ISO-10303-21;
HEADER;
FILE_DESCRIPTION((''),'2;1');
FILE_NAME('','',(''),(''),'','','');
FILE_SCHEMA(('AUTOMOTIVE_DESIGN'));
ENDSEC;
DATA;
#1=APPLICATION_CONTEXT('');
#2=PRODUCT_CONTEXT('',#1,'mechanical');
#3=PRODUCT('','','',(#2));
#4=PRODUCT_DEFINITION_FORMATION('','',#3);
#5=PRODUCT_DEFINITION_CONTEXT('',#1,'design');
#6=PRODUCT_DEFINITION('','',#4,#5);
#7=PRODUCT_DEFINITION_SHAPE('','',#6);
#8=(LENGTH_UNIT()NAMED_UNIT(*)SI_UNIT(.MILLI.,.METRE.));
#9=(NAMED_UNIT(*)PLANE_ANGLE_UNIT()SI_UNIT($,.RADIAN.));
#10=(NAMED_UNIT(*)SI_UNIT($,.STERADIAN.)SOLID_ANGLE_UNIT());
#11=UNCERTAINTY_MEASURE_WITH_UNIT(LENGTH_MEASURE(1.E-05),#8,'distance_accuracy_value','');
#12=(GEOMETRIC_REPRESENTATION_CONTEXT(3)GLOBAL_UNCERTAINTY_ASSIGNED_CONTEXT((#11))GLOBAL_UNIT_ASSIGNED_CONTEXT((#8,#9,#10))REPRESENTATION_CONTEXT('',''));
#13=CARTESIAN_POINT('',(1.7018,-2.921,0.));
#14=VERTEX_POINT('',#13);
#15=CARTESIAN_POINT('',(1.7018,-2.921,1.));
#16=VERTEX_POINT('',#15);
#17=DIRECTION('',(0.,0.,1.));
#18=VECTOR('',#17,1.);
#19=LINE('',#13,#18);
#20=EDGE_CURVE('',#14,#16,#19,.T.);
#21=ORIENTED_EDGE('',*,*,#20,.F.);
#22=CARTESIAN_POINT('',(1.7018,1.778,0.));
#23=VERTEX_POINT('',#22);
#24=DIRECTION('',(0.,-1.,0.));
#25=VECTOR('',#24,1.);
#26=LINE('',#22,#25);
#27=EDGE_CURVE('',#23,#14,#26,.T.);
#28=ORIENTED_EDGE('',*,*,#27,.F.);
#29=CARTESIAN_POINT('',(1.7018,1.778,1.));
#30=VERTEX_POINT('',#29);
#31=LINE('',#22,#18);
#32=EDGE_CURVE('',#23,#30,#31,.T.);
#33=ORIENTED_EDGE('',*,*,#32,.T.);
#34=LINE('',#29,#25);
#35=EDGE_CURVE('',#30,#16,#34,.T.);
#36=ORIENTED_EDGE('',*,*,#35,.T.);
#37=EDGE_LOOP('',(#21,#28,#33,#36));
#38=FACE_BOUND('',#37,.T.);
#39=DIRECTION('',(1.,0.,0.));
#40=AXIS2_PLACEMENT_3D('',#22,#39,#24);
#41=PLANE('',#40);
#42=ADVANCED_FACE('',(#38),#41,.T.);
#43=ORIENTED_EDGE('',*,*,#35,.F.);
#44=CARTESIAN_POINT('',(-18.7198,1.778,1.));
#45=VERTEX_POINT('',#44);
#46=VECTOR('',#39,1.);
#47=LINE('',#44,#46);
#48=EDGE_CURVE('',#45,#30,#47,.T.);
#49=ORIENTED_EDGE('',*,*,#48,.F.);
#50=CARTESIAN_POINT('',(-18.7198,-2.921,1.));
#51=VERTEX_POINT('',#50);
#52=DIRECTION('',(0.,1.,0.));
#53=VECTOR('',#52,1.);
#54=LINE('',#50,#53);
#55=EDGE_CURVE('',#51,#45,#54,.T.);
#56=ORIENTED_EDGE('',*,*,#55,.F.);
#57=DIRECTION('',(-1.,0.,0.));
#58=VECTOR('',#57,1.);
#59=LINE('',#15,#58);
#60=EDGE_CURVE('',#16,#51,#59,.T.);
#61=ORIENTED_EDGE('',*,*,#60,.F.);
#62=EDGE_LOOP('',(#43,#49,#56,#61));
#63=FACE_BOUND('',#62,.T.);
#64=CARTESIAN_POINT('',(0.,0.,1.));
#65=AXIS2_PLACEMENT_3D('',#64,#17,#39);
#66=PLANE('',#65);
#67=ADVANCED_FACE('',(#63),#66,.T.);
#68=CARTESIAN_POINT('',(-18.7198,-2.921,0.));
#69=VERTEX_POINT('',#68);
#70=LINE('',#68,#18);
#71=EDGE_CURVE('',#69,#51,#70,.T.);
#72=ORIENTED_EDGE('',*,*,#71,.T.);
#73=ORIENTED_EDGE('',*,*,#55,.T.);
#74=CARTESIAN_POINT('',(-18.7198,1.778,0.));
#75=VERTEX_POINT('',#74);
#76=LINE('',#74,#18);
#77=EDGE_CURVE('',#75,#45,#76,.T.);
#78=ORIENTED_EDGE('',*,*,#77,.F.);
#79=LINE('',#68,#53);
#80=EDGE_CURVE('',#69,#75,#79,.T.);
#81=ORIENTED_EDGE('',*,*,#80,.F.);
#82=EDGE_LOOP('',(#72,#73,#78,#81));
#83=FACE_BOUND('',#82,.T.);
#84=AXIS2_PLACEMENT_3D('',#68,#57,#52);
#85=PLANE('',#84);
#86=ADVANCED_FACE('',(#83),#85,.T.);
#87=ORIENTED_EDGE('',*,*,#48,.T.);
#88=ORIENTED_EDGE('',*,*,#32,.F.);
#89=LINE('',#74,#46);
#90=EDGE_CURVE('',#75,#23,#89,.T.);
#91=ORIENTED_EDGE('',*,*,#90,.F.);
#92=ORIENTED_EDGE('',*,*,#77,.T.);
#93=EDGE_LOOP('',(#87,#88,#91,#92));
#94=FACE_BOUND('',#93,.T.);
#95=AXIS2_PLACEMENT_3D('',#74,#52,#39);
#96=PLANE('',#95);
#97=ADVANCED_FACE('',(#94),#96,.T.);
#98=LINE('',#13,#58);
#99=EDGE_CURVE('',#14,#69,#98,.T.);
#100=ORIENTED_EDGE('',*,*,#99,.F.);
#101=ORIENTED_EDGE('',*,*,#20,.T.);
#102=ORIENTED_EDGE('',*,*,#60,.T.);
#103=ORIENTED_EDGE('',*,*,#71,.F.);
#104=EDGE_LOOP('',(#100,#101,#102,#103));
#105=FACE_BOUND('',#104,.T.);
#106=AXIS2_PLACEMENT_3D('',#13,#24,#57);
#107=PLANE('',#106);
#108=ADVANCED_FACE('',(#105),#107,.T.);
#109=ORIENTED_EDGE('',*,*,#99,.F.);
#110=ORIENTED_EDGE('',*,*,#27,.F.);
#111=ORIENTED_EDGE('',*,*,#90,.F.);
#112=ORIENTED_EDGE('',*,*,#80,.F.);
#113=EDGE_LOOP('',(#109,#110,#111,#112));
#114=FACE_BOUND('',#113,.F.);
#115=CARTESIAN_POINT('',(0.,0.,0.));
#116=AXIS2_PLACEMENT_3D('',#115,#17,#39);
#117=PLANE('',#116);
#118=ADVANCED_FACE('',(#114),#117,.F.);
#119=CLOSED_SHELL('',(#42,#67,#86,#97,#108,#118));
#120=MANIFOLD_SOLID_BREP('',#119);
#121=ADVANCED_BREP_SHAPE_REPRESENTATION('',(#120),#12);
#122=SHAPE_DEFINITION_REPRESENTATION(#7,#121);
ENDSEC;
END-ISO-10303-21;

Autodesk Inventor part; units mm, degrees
ref_plane "YZ Plane" through (0, 0, 0) normal (1, 0, 0) x (0, 1, 0)
ref_plane "XZ Plane" through (0, 0, 0) normal (0, 1, 0) x (-1, 0, 0)
ref_plane "XY Plane" through (0, 0, 0) normal (0, 0, 1) x (1, 0, 0)
sketch "KV11, OPA549T_61" plane through (0, 0, 0) normal (0, 0, 1) x (1, 0, 0)
  line L0 (-18.7198, 1.778) -> (1.7018, 1.778)
  line L1 (1.7018, 1.778) -> (1.7018, -2.921)
  line L2 (1.7018, -2.921) -> (-18.7198, -2.921)
  line L3 (-18.7198, -2.921) -> (-18.7198, 1.778)
extrude "Extrusion1" add sketch "KV11, OPA549T_61" along normal blind 1
properties part number "OPA549T"
